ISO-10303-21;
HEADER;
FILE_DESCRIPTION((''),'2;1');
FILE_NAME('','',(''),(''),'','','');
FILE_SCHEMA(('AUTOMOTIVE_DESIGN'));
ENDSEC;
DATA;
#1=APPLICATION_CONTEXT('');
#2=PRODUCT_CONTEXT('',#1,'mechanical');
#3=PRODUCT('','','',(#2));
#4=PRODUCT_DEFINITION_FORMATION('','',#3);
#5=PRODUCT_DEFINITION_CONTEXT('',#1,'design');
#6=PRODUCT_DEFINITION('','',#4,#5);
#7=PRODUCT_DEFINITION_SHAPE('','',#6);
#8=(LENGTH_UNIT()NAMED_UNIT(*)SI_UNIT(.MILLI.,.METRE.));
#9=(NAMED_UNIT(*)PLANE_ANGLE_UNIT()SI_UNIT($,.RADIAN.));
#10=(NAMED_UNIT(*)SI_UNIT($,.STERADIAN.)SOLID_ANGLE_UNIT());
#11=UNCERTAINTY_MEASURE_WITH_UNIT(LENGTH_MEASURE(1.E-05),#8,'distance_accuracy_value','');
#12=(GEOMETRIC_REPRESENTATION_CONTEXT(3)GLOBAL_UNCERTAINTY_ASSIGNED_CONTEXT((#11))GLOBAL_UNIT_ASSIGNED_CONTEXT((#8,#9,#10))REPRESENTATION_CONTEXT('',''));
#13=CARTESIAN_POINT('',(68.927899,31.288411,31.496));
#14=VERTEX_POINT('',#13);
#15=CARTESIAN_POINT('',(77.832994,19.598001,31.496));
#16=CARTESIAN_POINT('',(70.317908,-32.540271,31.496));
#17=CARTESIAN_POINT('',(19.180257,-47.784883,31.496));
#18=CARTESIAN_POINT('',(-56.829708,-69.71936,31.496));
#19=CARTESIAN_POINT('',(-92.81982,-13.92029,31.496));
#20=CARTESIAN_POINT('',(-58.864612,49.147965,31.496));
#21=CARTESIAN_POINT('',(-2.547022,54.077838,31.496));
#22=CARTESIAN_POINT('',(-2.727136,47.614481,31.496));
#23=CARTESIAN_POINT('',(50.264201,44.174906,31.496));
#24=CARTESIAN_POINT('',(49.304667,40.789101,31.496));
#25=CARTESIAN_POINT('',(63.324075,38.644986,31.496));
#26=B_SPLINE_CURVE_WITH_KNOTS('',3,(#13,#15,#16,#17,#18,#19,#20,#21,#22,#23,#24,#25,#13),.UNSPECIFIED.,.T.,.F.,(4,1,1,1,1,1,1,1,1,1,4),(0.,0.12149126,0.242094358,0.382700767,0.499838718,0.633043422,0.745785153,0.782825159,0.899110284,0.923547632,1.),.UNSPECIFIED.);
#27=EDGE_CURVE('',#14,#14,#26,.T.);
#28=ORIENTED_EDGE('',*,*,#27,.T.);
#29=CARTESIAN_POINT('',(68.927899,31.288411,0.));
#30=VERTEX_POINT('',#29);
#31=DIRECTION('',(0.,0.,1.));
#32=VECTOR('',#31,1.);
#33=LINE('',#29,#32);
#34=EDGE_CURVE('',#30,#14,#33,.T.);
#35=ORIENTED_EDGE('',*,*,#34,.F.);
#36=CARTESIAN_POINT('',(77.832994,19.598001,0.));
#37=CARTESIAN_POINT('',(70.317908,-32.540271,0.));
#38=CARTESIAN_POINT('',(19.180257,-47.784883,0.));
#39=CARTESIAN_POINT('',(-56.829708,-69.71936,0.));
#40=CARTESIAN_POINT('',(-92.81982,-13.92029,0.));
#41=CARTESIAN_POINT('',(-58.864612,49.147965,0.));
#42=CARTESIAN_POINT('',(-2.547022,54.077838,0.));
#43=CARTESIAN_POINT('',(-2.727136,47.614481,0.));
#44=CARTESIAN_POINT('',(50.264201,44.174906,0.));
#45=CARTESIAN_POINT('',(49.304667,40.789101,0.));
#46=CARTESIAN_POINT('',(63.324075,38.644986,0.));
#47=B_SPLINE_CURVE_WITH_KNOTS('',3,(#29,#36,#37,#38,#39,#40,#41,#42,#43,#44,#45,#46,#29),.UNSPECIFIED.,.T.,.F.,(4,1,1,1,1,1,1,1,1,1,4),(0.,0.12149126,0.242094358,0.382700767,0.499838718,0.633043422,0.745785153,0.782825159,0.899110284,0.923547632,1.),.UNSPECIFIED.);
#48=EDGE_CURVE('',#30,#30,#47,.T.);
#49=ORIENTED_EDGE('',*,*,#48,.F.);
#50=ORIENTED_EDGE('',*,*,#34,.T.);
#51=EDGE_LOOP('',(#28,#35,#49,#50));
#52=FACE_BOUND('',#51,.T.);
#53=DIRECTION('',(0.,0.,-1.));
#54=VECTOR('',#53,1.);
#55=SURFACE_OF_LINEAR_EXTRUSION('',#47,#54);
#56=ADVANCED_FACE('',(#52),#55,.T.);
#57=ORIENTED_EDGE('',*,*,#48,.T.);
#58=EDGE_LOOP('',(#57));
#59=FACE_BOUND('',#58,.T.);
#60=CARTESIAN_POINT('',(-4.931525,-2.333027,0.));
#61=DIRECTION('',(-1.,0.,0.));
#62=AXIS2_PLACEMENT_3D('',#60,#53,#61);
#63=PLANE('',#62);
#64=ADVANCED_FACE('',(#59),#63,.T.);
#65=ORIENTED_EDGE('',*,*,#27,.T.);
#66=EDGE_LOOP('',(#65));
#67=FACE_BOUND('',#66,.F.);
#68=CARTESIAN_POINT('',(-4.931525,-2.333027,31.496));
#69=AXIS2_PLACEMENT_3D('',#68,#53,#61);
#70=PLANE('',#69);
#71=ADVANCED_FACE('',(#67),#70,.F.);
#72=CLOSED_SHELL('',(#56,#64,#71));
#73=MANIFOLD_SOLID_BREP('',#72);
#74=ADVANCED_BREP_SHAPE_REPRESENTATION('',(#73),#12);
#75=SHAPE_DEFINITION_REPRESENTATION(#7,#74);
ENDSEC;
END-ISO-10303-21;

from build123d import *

# Parameters (mm, degrees)
F1_DEPTH = 31.496


with BuildPart() as f1:
    # F0 (on Top) → F1 (new body)
    with BuildSketch(Plane.XY):
        with BuildLine():
            add(Edge.make_bspline(
                [(68.927899003, 31.2884114683), (77.8329944541, 19.5980014647), (70.317907629, -32.5402708498), (19.180256884, -47.7848828559), (-56.829707502, -69.7193597631), (-92.8198202373, -13.9202897095), (-58.8646120932, 49.1479645256), (-2.5470215149, 54.0778383976), (-2.727135504, 47.6144813893), (50.2642008228, 44.1749057653), (49.3046672776, 40.7891009857), (63.3240750041, 38.644986195), (68.927899003, 31.2884114683)],
                knots=[0, 0, 0, 0, 0.1214912597, 0.2420943577, 0.3827007668, 0.4998387183, 0.6330434215, 0.7457851527, 0.7828251594, 0.8991102843, 0.9235476318, 1, 1, 1, 1], degree=3))
        make_face()
    extrude(amount=F1_DEPTH)


solid = f1.part
